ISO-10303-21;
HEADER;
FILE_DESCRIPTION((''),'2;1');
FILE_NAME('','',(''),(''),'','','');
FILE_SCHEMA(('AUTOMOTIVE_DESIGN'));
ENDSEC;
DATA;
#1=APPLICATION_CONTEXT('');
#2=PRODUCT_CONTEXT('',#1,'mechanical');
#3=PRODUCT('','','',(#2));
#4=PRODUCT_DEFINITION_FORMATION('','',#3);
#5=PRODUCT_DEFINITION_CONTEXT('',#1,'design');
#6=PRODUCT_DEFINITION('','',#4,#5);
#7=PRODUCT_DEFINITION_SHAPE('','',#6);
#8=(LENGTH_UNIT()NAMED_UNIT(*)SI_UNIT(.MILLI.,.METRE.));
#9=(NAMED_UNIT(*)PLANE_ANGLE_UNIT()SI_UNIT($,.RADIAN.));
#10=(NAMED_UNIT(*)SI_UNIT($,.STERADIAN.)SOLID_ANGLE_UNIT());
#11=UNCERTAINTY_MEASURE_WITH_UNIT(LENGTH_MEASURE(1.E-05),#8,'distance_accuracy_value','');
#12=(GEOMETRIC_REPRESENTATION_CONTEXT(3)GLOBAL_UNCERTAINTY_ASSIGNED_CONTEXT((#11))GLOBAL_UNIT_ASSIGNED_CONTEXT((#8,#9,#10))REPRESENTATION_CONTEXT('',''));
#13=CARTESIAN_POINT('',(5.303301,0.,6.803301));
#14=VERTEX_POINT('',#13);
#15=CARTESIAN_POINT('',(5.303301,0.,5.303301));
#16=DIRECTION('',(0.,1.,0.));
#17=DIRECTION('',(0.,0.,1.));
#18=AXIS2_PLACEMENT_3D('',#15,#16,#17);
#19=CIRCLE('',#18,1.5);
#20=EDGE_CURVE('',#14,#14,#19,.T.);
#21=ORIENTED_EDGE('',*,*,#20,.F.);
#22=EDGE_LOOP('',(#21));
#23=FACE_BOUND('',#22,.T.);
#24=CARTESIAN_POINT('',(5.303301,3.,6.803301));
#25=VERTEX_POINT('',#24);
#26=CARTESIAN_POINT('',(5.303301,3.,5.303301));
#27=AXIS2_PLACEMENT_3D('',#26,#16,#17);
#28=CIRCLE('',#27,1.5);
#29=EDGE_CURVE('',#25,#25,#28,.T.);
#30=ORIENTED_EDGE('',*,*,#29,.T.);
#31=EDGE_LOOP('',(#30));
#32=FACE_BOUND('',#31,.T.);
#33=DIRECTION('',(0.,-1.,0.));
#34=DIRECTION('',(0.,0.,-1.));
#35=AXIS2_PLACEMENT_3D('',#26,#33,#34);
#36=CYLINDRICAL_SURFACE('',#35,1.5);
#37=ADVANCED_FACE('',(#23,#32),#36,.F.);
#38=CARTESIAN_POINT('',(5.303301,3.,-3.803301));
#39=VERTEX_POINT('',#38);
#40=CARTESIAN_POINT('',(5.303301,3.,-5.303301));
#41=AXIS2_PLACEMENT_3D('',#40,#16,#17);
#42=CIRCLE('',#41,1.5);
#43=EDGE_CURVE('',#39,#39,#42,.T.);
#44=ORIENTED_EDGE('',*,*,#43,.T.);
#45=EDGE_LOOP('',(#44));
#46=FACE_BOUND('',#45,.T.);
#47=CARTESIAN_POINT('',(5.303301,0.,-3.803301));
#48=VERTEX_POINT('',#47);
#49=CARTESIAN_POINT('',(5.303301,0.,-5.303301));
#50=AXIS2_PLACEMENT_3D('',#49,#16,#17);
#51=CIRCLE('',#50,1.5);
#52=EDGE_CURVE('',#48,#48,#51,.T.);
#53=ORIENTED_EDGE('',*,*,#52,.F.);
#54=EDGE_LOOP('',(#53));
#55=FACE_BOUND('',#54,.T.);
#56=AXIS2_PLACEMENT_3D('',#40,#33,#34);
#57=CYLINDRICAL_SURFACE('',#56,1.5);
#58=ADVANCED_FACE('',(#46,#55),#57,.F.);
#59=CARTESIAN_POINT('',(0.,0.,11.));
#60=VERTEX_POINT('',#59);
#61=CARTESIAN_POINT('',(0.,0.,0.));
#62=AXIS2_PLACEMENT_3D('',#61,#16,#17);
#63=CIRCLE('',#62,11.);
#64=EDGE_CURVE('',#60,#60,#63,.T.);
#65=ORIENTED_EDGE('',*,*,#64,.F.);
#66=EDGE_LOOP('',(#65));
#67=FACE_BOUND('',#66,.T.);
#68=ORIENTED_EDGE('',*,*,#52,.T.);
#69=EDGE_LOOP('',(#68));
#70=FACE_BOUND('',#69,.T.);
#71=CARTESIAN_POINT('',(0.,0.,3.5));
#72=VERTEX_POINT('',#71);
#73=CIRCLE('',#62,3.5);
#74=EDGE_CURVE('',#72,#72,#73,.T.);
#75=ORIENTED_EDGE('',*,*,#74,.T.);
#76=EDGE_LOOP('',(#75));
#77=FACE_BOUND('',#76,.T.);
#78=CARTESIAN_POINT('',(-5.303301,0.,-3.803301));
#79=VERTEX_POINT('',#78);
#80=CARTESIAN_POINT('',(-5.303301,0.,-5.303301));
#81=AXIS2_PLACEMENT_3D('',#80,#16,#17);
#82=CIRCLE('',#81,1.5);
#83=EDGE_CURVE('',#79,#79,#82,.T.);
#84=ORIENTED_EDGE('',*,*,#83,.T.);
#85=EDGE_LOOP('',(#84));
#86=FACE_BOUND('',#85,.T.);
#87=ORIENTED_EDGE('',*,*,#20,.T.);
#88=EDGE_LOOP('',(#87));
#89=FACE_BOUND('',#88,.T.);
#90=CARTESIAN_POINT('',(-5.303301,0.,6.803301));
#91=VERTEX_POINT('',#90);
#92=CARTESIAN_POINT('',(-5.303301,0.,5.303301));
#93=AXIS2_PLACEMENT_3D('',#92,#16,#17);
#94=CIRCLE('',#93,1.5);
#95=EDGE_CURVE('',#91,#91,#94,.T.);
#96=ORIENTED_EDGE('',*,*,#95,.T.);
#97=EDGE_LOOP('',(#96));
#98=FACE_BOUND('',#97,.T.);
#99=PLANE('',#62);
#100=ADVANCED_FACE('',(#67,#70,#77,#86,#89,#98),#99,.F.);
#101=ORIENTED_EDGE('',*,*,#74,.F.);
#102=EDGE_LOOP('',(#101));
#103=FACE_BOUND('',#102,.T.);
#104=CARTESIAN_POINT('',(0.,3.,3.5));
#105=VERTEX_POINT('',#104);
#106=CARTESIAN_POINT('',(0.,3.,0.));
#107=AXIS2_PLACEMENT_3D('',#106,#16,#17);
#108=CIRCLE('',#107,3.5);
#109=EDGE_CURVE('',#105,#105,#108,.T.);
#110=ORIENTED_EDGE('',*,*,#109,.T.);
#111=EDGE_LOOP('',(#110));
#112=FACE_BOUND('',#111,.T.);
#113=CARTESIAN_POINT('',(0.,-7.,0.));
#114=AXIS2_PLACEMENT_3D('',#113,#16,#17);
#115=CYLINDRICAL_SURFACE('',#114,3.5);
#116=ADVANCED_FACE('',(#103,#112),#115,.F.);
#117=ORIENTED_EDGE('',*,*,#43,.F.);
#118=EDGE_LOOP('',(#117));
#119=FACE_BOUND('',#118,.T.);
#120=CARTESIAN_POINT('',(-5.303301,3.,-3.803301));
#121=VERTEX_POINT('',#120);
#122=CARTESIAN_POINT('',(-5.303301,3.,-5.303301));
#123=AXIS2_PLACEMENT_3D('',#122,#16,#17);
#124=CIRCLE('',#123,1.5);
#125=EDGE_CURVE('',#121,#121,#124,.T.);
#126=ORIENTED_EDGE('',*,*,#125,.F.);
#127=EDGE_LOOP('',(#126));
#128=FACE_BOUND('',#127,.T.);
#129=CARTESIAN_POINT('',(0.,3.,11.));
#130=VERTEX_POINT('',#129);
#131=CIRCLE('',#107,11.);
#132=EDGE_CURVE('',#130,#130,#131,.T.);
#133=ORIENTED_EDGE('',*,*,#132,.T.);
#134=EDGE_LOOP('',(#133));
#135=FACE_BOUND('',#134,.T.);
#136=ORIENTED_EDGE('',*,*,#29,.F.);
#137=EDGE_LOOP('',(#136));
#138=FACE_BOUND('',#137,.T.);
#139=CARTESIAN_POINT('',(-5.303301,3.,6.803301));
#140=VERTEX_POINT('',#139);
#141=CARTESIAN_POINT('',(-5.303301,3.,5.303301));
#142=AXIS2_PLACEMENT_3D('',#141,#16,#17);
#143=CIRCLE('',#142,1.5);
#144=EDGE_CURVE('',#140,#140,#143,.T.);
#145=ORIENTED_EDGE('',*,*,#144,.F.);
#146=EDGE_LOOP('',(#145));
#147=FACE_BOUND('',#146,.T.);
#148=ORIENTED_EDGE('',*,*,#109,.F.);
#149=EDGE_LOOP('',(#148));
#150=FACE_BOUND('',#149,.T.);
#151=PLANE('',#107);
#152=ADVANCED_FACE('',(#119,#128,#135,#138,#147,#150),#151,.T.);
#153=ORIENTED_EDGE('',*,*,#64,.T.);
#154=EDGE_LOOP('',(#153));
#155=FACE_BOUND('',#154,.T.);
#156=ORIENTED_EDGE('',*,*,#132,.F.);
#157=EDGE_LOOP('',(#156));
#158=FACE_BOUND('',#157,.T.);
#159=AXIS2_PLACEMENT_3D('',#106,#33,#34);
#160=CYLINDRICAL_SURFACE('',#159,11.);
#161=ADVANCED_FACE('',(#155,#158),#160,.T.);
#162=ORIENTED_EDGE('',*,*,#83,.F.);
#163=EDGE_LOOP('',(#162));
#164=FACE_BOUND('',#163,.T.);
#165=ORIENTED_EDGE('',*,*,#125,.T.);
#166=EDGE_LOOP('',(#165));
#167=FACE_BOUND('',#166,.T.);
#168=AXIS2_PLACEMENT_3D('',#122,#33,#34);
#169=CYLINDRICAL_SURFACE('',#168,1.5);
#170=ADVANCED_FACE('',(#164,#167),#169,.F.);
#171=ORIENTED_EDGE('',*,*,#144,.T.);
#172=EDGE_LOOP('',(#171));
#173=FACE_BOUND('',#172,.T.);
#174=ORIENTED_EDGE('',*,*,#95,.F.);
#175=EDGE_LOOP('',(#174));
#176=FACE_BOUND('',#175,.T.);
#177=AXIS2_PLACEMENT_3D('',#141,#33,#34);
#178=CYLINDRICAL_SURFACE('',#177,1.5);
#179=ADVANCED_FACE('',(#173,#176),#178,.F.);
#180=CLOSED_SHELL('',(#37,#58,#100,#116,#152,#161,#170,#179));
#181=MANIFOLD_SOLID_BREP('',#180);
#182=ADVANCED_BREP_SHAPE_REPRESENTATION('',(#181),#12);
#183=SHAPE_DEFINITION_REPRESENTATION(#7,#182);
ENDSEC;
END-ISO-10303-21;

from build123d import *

# Parameters (mm, degrees)
SKETCH1_R           = 11
SKETCH1_R_2         = 1.5
BOSS_EXTRUDE1_DEPTH = 3
SKETCH2_R           = 3.5
CUT_EXTRUDE1_DEPTH  = 10


with BuildPart() as part:
    # Sketch1 → Boss-Extrude1 (new body)
    with BuildSketch(Plane(origin=(0, 0, 0), x_dir=(1, 0, 0), z_dir=(0, 1, 0))):
        with Locations(Location((0, 0, 0), (0, 0, 270))):
            Circle(SKETCH1_R)
        with Locations(Location((-5.303300859, -5.303300859, 0), (0, 0, 270))):
            Circle(SKETCH1_R_2, mode=Mode.SUBTRACT)
        with Locations(Location((-5.303300859, 5.303300859, 0), (0, 0, 270))):
            Circle(SKETCH1_R_2, mode=Mode.SUBTRACT)
        with Locations(Location((5.303300859, 5.303300859, 0), (0, 0, 270))):
            Circle(SKETCH1_R_2, mode=Mode.SUBTRACT)
        with Locations(Location((5.303300859, -5.303300859, 0), (0, 0, 270))):
            Circle(SKETCH1_R_2, mode=Mode.SUBTRACT)
    extrude(amount=BOSS_EXTRUDE1_DEPTH)

    # Sketch2 → Cut-Extrude1 (cut)
    with BuildSketch(Plane(origin=(0, 3, 0), x_dir=(1, 0, 0), z_dir=(0, 1, 0))):
        with Locations(Location((0, 0, 0), (0, 0, 270))):
            Circle(SKETCH2_R)
    extrude(amount=-CUT_EXTRUDE1_DEPTH, mode=Mode.SUBTRACT)


solid = part.part
